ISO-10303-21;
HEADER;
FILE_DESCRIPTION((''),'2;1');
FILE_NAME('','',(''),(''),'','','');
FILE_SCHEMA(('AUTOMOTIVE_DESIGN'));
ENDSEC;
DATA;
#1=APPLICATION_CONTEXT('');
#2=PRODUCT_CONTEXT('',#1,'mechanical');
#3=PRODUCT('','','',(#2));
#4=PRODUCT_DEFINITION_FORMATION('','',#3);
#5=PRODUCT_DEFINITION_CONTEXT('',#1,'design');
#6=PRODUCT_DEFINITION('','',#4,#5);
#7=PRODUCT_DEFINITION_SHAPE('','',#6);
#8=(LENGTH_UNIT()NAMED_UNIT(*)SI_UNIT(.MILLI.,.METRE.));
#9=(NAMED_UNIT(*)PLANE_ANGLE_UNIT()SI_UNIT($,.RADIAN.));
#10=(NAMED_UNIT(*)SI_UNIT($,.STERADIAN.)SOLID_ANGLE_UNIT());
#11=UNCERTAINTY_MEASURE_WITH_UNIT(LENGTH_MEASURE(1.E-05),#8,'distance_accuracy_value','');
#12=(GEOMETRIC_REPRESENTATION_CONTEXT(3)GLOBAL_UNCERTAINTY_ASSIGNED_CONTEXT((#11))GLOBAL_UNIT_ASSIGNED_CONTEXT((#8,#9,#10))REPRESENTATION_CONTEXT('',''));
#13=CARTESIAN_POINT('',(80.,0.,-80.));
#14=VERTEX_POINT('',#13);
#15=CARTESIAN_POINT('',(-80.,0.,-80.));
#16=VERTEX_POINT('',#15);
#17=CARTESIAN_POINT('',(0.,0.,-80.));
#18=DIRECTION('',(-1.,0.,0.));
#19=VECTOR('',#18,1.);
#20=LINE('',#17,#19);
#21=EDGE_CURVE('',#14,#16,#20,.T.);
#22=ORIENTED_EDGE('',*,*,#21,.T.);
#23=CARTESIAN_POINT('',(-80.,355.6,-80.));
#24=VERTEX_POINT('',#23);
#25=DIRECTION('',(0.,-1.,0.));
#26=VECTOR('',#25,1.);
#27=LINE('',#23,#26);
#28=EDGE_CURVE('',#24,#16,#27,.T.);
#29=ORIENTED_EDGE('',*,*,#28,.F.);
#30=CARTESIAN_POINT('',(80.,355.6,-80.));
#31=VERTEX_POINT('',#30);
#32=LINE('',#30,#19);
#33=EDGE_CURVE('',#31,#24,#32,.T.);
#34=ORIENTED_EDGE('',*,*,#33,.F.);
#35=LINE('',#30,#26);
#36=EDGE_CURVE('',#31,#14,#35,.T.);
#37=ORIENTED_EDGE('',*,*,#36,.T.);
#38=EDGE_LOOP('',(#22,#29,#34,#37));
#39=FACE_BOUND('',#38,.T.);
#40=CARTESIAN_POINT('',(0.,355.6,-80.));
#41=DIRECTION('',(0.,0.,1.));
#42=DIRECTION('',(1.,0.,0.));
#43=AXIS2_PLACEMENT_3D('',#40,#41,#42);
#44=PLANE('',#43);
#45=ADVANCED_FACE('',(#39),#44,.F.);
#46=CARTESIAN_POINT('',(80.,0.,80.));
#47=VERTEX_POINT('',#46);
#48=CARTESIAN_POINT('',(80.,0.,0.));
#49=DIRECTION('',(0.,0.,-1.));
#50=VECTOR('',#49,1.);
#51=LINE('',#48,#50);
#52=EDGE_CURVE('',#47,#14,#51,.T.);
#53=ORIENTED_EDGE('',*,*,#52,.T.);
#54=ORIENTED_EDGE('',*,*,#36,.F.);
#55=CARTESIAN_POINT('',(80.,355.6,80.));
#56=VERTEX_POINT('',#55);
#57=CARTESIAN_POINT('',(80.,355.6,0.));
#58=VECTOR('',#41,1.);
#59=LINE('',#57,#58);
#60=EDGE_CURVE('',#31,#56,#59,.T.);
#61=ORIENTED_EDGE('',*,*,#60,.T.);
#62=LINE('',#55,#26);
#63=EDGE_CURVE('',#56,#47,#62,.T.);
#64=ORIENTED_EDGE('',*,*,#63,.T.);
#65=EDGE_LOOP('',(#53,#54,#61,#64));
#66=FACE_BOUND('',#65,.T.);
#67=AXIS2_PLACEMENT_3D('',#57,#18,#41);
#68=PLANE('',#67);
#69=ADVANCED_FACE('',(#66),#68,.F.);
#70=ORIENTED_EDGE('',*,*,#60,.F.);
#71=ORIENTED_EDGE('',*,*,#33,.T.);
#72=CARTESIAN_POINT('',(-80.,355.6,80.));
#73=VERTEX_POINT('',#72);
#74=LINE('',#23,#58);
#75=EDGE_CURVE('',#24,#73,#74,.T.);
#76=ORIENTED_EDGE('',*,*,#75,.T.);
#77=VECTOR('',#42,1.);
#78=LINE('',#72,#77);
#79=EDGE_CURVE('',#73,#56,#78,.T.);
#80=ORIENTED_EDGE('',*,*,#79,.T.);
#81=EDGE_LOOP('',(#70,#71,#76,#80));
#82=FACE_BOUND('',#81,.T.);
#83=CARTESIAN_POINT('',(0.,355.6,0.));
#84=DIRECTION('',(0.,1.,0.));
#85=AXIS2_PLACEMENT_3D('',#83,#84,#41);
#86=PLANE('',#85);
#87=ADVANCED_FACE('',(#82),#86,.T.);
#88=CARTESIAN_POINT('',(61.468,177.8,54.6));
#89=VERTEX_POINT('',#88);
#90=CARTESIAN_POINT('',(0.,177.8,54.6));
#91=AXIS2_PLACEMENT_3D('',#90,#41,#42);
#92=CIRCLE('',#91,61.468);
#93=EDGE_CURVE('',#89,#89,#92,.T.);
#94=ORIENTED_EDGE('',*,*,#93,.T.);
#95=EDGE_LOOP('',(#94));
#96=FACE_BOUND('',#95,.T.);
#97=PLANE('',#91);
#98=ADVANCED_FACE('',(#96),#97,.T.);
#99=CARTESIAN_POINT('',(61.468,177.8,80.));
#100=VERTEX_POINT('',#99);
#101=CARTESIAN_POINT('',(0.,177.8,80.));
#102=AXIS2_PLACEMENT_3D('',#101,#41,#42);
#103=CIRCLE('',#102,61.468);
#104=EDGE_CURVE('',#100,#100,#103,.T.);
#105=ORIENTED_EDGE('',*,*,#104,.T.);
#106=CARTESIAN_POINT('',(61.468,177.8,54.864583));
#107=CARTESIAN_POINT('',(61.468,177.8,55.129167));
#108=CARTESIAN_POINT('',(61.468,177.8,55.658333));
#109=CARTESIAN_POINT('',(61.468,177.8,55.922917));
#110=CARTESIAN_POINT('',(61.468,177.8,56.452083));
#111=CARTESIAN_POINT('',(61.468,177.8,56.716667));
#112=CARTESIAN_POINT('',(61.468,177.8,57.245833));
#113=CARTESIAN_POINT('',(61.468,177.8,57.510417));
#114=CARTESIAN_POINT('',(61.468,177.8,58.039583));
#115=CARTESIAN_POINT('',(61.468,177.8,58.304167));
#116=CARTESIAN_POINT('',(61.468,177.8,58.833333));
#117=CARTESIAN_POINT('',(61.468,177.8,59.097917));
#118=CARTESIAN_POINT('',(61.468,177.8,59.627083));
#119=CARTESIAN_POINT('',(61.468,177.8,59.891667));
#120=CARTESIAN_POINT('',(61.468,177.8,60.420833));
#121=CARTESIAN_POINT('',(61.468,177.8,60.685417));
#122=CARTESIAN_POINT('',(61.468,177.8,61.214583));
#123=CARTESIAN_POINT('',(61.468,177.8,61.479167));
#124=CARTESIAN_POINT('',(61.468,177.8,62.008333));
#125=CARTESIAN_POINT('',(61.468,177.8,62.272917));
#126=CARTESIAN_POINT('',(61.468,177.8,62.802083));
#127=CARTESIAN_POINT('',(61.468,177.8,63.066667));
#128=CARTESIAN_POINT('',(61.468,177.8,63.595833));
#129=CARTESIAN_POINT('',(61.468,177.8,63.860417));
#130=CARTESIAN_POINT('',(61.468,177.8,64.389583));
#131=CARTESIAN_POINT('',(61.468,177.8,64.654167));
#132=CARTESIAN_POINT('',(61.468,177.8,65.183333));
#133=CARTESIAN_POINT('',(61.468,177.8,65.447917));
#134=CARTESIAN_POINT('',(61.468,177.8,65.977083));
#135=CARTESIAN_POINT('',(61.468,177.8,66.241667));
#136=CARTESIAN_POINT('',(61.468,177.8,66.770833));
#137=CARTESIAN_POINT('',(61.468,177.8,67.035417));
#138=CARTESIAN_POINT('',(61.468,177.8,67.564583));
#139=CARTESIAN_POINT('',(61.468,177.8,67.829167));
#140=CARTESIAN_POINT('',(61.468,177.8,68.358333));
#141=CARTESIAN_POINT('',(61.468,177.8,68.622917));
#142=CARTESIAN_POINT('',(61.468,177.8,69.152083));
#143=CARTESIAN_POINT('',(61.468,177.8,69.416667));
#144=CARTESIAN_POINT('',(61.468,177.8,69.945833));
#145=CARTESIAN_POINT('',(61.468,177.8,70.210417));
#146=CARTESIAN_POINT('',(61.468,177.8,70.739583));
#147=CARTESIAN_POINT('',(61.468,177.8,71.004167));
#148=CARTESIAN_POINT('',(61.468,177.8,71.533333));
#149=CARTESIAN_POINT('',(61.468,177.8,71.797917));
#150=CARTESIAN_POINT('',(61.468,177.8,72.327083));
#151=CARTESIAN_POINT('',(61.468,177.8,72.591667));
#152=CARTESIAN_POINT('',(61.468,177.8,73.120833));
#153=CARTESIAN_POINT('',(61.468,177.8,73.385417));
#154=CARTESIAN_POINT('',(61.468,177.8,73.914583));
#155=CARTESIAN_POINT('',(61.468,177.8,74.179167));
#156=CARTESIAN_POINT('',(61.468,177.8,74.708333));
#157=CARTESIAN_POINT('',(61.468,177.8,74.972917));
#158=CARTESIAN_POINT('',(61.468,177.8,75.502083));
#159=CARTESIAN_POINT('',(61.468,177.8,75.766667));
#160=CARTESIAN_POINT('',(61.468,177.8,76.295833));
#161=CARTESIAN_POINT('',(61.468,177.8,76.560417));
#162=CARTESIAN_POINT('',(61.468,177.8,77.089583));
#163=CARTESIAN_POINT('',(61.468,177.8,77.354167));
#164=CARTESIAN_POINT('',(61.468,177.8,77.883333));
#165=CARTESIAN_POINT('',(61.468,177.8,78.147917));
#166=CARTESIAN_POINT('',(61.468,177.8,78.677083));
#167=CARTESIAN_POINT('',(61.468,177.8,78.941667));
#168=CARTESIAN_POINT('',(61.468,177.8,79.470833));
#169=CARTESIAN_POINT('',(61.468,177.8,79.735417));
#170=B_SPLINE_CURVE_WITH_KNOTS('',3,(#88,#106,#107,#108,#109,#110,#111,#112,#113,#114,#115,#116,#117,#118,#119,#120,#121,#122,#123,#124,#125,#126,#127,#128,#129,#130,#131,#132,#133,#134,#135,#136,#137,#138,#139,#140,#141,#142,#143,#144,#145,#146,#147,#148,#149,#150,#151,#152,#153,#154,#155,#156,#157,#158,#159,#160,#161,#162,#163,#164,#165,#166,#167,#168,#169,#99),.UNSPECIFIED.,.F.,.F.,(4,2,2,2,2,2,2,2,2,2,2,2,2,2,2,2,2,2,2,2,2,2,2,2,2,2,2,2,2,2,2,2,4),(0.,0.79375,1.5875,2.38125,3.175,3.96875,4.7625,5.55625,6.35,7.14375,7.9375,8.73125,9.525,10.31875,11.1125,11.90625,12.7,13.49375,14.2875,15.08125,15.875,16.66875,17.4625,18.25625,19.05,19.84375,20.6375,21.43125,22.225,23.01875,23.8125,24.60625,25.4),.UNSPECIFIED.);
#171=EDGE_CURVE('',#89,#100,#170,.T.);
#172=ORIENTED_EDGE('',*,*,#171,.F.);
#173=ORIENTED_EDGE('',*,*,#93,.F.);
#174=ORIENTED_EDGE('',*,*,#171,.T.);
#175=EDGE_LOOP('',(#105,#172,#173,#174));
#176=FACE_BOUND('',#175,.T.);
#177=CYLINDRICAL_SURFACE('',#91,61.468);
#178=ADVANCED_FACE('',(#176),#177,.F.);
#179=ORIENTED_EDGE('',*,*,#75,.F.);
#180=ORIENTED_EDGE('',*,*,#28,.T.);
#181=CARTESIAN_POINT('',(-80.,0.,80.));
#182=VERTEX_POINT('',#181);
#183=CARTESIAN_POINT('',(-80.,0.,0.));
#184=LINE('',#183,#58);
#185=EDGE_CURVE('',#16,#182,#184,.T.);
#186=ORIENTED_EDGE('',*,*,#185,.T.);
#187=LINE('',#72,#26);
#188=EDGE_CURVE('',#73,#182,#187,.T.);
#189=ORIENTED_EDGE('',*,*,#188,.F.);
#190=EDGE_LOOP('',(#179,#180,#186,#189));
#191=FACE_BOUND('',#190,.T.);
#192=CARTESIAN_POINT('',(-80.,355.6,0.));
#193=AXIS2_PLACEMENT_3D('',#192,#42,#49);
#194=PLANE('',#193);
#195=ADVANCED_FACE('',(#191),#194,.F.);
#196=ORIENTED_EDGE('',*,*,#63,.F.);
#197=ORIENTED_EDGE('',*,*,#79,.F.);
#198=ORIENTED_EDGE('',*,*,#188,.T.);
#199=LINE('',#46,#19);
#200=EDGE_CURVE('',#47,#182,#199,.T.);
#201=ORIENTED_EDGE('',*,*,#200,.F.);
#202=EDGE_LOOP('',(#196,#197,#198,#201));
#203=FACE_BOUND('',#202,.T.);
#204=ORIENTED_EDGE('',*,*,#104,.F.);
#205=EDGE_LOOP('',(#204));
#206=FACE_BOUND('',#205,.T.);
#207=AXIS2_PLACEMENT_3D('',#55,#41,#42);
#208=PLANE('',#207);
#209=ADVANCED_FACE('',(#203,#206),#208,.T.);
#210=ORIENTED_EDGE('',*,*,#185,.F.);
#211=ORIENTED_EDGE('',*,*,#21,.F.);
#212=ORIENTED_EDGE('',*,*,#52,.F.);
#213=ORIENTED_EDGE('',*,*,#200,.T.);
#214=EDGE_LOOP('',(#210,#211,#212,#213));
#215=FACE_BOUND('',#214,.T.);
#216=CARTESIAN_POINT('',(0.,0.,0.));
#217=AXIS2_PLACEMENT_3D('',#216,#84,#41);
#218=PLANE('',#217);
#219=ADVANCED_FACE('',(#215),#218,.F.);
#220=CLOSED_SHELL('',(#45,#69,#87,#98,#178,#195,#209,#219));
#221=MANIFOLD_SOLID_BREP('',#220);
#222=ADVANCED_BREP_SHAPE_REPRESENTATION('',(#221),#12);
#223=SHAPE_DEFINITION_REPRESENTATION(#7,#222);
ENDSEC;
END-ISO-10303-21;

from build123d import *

# Parameters (mm, degrees)
BOSS_EXTRUDE1_DEPTH = 355.6
SKETCH3_R           = 61.468
CUT_EXTRUDE1_DEPTH  = 25.4


with BuildPart() as part:
    # Sketch1 → Boss-Extrude1 (new body)
    with BuildSketch(Plane(origin=(0, 0, 0), x_dir=(1, 0, 0), z_dir=(0, 1, 0))):
        Polygon((0, 80), (-80, 80), (-80, 0), (-80, -80), (0, -80), (80, -80), (80, 0), (80, 80), align=None)
    extrude(amount=BOSS_EXTRUDE1_DEPTH)

    # Sketch3 → Cut-Extrude1 (cut)
    with BuildSketch(Plane.XY.offset(80)):
        with Locations((0, 177.8)):
            Circle(SKETCH3_R)
    extrude(amount=-CUT_EXTRUDE1_DEPTH, mode=Mode.SUBTRACT)


solid = part.part
